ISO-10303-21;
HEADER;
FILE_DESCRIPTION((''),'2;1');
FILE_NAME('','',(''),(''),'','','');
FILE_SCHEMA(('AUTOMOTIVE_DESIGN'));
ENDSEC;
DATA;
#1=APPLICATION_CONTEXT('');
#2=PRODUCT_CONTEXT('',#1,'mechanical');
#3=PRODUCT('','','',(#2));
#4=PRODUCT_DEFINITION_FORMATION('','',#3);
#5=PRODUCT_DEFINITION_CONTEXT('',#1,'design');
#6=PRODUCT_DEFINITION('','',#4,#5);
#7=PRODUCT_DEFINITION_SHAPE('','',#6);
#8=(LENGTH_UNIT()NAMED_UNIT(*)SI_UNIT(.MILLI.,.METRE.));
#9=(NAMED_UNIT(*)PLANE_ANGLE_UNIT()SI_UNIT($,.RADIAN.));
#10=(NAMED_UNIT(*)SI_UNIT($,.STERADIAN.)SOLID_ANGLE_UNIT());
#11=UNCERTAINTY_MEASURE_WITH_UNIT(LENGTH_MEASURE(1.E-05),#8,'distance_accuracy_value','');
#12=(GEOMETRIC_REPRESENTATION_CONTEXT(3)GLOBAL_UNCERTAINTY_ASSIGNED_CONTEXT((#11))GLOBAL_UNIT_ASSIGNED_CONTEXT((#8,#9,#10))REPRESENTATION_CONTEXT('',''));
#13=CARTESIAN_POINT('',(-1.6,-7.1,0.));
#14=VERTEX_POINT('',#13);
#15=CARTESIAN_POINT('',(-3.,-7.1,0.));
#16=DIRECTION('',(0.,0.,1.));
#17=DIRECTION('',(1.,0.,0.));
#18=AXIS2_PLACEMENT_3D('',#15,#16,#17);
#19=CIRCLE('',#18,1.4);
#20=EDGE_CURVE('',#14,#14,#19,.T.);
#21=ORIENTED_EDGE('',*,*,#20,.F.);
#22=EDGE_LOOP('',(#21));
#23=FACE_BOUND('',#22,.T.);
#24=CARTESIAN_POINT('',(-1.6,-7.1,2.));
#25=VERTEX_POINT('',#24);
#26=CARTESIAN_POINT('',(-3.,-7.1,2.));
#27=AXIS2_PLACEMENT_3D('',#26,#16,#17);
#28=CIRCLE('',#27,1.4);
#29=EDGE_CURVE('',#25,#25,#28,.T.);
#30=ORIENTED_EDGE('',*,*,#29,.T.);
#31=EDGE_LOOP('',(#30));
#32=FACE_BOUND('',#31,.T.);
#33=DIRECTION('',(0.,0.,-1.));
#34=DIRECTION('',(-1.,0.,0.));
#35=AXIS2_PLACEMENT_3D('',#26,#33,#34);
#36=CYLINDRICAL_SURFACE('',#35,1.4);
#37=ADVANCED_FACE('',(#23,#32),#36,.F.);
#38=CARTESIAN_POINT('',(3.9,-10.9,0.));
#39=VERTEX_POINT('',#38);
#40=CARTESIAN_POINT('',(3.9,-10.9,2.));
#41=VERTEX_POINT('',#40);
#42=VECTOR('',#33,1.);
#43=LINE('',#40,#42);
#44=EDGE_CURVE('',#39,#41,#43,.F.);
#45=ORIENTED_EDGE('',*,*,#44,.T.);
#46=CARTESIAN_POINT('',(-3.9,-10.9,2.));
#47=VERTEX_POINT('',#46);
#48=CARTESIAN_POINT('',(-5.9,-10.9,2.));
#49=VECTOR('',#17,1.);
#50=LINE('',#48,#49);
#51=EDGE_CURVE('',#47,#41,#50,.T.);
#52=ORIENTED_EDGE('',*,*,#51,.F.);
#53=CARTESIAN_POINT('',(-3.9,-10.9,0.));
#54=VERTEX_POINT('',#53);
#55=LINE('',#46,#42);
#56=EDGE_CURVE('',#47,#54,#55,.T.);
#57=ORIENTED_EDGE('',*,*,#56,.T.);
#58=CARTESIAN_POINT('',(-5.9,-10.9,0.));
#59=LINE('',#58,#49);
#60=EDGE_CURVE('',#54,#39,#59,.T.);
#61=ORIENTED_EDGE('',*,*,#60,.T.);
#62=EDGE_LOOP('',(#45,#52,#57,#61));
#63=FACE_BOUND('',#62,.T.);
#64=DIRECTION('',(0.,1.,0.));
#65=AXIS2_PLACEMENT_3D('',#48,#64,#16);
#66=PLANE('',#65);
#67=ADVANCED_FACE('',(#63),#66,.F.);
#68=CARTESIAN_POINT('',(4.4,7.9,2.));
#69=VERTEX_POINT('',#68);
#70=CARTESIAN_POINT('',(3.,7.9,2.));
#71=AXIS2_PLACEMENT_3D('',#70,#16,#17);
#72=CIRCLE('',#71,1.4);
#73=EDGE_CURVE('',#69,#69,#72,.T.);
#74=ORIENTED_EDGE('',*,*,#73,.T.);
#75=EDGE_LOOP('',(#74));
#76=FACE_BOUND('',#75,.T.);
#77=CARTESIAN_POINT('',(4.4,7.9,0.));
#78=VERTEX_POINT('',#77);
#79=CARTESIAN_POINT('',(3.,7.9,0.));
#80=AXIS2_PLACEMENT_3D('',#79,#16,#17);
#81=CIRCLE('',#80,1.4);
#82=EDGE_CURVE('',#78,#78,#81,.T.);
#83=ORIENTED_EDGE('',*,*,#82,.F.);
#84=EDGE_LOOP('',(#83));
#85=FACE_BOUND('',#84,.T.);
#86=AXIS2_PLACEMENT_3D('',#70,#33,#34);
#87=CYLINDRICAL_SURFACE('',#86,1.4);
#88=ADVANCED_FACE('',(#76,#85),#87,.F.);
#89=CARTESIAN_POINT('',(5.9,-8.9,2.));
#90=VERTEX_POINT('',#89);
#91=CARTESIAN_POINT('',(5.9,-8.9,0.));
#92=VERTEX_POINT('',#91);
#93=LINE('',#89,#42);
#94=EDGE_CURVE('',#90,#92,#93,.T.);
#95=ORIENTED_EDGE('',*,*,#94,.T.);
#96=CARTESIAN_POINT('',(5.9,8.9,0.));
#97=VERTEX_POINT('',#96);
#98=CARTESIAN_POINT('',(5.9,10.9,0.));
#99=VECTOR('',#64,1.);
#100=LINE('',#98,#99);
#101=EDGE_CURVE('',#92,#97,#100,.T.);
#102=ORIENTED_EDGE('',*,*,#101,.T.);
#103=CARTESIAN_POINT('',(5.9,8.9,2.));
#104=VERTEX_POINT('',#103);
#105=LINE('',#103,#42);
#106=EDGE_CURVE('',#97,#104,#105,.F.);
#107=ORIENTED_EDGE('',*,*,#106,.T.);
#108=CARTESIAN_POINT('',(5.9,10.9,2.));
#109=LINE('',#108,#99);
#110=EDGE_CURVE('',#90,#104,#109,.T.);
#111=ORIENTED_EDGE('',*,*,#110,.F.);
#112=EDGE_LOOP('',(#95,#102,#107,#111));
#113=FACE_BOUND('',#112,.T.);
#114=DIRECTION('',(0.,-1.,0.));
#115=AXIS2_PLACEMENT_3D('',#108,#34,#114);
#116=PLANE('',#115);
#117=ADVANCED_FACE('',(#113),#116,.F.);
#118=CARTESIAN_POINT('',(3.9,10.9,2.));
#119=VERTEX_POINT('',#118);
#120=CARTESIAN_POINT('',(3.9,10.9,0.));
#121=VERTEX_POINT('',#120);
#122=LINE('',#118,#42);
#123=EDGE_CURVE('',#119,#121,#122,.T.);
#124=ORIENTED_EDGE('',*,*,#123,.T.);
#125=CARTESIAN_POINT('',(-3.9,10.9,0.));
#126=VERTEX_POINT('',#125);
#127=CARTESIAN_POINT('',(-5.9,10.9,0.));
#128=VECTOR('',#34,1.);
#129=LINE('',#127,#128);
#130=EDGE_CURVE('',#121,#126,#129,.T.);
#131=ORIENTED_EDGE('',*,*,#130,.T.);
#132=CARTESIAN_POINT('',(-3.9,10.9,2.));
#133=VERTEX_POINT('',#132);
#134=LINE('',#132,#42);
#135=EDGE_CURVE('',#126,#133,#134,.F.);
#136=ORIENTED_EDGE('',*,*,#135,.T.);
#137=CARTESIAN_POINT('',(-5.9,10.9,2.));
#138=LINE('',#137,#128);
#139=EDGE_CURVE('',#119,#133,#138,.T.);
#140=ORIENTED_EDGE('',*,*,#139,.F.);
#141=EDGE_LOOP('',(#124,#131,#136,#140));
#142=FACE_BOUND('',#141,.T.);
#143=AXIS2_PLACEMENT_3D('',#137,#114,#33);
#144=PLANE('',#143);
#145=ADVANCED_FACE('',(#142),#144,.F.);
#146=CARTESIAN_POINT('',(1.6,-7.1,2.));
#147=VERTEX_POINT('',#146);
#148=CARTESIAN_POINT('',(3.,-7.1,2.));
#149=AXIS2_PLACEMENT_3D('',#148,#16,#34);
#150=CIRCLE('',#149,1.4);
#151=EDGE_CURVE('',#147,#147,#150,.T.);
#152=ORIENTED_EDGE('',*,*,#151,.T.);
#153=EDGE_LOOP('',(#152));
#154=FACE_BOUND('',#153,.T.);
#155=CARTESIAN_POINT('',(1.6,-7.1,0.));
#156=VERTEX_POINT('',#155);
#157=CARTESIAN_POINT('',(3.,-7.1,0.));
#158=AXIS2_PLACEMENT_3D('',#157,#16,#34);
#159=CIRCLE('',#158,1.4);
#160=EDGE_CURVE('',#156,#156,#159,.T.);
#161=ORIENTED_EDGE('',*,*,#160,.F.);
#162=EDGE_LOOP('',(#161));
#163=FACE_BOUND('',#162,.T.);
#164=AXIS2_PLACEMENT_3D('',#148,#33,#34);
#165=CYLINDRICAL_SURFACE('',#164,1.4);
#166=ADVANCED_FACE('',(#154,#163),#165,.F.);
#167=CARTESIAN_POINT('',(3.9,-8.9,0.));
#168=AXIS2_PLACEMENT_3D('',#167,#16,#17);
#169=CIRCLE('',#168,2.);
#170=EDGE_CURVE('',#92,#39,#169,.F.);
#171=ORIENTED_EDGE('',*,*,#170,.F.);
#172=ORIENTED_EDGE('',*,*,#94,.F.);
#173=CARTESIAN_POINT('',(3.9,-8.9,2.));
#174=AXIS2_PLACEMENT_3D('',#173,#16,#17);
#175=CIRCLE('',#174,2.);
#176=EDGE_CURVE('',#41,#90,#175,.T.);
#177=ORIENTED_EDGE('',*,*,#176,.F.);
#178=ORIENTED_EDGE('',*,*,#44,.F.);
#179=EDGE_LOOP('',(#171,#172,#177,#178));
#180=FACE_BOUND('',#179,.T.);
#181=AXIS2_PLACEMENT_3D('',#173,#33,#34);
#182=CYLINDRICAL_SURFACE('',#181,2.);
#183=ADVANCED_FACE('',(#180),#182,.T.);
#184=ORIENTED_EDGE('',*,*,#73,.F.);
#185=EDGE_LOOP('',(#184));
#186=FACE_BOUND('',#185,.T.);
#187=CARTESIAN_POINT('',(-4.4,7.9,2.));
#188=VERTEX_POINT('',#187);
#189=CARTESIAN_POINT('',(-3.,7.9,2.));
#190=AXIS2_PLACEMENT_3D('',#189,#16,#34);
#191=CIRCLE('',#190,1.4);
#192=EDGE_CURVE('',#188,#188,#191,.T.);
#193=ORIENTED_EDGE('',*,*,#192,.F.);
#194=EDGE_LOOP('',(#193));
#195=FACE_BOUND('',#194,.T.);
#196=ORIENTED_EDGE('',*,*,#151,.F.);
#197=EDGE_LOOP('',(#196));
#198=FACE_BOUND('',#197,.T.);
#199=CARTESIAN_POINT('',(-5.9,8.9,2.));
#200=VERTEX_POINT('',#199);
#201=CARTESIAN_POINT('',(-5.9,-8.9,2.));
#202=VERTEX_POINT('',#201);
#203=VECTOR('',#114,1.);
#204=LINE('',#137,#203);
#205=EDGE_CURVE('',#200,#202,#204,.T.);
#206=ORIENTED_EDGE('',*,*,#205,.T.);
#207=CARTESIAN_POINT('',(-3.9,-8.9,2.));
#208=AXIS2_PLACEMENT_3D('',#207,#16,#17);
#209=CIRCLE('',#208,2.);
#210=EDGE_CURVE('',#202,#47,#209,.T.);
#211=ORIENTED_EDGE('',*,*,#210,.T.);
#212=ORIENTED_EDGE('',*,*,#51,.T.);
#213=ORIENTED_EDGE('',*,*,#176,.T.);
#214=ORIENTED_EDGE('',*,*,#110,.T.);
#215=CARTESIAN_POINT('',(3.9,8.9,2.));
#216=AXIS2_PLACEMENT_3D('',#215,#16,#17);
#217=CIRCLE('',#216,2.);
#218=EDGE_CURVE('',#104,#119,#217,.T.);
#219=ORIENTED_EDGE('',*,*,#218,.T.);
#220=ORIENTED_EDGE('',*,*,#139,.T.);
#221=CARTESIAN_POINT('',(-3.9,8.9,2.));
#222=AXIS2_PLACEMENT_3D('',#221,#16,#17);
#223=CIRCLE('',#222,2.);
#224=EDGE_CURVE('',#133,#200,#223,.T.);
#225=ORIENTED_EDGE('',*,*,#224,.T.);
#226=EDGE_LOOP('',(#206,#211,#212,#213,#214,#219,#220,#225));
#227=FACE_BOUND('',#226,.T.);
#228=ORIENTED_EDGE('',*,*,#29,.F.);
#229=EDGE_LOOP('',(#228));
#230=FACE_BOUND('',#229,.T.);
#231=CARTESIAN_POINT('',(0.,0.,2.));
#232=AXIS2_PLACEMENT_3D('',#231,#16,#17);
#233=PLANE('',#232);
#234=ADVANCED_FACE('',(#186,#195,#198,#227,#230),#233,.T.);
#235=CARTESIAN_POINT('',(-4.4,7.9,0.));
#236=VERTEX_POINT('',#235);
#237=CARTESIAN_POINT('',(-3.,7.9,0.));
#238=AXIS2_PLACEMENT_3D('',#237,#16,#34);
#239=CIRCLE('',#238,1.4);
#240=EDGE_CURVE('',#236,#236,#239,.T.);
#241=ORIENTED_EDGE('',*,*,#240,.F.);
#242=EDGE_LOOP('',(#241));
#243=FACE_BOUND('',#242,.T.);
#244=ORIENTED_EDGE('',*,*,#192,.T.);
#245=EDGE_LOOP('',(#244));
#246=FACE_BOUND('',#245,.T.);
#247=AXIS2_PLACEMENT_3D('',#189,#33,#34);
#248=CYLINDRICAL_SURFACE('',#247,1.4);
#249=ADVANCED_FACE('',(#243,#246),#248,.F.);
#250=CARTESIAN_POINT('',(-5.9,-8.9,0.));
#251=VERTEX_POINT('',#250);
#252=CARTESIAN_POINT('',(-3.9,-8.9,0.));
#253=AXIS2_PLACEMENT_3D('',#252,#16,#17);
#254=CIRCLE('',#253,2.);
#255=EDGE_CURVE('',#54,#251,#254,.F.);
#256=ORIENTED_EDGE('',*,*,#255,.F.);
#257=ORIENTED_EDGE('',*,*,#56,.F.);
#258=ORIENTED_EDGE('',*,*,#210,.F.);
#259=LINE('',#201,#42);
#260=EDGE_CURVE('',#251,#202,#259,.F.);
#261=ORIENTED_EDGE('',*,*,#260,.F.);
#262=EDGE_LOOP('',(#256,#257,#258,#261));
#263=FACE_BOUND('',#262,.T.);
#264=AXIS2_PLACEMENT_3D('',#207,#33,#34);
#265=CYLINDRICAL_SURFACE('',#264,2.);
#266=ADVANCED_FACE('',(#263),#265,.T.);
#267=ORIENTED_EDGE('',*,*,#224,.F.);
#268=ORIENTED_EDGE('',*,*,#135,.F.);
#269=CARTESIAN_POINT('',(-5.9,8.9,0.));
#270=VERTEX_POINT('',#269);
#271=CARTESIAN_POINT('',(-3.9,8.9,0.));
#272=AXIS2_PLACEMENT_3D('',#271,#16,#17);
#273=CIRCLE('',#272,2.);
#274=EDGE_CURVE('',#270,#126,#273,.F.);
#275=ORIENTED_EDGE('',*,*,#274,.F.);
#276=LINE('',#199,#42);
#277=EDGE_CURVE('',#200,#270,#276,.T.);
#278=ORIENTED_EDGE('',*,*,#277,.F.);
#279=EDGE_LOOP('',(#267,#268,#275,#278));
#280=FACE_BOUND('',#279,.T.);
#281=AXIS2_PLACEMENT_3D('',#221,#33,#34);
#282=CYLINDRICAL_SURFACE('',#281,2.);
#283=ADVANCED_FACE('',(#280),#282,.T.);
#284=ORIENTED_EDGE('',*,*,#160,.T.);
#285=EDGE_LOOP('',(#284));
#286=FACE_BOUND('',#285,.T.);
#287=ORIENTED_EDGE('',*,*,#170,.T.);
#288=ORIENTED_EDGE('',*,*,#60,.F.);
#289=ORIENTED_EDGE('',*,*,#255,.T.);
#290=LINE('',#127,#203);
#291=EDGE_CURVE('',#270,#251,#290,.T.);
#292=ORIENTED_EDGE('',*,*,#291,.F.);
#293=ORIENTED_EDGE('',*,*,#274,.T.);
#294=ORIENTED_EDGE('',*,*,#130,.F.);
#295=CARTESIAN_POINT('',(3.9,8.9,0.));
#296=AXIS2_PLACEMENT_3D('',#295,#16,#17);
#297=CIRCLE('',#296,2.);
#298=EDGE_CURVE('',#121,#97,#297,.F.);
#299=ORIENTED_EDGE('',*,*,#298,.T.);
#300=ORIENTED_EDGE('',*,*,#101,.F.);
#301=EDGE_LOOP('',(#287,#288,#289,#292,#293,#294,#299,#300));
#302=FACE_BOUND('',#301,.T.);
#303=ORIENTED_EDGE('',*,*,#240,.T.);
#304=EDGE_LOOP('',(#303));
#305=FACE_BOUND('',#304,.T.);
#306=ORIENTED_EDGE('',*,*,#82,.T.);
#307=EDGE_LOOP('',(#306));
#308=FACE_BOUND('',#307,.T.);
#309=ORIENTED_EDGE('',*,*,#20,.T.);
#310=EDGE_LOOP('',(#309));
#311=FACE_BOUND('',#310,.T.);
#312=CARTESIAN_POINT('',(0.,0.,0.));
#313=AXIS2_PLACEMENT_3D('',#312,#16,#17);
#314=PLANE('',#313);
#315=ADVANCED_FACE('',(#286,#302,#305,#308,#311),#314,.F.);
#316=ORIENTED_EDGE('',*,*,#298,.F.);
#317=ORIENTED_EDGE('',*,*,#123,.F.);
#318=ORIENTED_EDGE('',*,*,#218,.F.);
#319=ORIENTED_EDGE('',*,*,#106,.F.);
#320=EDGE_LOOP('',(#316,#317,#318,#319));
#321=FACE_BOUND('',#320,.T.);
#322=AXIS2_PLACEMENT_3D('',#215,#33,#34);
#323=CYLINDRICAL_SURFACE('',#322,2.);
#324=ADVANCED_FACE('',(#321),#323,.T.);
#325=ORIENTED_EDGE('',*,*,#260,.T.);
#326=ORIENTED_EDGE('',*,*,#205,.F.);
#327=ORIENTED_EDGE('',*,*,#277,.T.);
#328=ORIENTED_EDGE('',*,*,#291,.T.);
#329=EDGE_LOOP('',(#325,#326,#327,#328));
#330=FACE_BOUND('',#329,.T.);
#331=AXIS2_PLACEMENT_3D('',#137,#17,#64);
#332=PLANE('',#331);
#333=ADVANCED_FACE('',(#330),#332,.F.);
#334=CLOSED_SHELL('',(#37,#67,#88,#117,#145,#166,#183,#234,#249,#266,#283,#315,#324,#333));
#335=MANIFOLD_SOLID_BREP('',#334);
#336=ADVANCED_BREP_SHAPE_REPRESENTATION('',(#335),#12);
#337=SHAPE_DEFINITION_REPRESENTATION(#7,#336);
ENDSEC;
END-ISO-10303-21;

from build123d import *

# Parameters (mm, degrees)
SKETCH_1_W      = 11.8
SKETCH_1_H      = 21.8
SKETCH_1_R      = 1.4
EXTRUDE_1_DEPTH = 2
FILLET_1_R      = 2


with BuildPart() as part:
    # 草图1 → 凸台-拉伸1 (new body)
    with BuildSketch(Plane.XY):
        Rectangle(SKETCH_1_W, SKETCH_1_H)
        with Locations((-3, -7.1)):
            Circle(SKETCH_1_R, mode=Mode.SUBTRACT)
        with Locations(Location((-3, 7.9, 0), (0, 0, 180))):
            Circle(SKETCH_1_R, mode=Mode.SUBTRACT)
        with Locations((3, 7.9)):
            Circle(SKETCH_1_R, mode=Mode.SUBTRACT)
        with Locations(Location((3, -7.1, 0), (0, 0, 180))):
            Circle(SKETCH_1_R, mode=Mode.SUBTRACT)
    extrude(amount=EXTRUDE_1_DEPTH)

    # 圆角1
    fillet_1_edges = [part.edges().sort_by_distance(p)[0] for p in [
        (5.9, -10.9, 1),
        (-5.9, -10.9, 1),
        (-5.9, 10.9, 1),
        (5.9, 10.9, 1),
    ]]
    fillet(fillet_1_edges, radius=FILLET_1_R)


solid = part.part
